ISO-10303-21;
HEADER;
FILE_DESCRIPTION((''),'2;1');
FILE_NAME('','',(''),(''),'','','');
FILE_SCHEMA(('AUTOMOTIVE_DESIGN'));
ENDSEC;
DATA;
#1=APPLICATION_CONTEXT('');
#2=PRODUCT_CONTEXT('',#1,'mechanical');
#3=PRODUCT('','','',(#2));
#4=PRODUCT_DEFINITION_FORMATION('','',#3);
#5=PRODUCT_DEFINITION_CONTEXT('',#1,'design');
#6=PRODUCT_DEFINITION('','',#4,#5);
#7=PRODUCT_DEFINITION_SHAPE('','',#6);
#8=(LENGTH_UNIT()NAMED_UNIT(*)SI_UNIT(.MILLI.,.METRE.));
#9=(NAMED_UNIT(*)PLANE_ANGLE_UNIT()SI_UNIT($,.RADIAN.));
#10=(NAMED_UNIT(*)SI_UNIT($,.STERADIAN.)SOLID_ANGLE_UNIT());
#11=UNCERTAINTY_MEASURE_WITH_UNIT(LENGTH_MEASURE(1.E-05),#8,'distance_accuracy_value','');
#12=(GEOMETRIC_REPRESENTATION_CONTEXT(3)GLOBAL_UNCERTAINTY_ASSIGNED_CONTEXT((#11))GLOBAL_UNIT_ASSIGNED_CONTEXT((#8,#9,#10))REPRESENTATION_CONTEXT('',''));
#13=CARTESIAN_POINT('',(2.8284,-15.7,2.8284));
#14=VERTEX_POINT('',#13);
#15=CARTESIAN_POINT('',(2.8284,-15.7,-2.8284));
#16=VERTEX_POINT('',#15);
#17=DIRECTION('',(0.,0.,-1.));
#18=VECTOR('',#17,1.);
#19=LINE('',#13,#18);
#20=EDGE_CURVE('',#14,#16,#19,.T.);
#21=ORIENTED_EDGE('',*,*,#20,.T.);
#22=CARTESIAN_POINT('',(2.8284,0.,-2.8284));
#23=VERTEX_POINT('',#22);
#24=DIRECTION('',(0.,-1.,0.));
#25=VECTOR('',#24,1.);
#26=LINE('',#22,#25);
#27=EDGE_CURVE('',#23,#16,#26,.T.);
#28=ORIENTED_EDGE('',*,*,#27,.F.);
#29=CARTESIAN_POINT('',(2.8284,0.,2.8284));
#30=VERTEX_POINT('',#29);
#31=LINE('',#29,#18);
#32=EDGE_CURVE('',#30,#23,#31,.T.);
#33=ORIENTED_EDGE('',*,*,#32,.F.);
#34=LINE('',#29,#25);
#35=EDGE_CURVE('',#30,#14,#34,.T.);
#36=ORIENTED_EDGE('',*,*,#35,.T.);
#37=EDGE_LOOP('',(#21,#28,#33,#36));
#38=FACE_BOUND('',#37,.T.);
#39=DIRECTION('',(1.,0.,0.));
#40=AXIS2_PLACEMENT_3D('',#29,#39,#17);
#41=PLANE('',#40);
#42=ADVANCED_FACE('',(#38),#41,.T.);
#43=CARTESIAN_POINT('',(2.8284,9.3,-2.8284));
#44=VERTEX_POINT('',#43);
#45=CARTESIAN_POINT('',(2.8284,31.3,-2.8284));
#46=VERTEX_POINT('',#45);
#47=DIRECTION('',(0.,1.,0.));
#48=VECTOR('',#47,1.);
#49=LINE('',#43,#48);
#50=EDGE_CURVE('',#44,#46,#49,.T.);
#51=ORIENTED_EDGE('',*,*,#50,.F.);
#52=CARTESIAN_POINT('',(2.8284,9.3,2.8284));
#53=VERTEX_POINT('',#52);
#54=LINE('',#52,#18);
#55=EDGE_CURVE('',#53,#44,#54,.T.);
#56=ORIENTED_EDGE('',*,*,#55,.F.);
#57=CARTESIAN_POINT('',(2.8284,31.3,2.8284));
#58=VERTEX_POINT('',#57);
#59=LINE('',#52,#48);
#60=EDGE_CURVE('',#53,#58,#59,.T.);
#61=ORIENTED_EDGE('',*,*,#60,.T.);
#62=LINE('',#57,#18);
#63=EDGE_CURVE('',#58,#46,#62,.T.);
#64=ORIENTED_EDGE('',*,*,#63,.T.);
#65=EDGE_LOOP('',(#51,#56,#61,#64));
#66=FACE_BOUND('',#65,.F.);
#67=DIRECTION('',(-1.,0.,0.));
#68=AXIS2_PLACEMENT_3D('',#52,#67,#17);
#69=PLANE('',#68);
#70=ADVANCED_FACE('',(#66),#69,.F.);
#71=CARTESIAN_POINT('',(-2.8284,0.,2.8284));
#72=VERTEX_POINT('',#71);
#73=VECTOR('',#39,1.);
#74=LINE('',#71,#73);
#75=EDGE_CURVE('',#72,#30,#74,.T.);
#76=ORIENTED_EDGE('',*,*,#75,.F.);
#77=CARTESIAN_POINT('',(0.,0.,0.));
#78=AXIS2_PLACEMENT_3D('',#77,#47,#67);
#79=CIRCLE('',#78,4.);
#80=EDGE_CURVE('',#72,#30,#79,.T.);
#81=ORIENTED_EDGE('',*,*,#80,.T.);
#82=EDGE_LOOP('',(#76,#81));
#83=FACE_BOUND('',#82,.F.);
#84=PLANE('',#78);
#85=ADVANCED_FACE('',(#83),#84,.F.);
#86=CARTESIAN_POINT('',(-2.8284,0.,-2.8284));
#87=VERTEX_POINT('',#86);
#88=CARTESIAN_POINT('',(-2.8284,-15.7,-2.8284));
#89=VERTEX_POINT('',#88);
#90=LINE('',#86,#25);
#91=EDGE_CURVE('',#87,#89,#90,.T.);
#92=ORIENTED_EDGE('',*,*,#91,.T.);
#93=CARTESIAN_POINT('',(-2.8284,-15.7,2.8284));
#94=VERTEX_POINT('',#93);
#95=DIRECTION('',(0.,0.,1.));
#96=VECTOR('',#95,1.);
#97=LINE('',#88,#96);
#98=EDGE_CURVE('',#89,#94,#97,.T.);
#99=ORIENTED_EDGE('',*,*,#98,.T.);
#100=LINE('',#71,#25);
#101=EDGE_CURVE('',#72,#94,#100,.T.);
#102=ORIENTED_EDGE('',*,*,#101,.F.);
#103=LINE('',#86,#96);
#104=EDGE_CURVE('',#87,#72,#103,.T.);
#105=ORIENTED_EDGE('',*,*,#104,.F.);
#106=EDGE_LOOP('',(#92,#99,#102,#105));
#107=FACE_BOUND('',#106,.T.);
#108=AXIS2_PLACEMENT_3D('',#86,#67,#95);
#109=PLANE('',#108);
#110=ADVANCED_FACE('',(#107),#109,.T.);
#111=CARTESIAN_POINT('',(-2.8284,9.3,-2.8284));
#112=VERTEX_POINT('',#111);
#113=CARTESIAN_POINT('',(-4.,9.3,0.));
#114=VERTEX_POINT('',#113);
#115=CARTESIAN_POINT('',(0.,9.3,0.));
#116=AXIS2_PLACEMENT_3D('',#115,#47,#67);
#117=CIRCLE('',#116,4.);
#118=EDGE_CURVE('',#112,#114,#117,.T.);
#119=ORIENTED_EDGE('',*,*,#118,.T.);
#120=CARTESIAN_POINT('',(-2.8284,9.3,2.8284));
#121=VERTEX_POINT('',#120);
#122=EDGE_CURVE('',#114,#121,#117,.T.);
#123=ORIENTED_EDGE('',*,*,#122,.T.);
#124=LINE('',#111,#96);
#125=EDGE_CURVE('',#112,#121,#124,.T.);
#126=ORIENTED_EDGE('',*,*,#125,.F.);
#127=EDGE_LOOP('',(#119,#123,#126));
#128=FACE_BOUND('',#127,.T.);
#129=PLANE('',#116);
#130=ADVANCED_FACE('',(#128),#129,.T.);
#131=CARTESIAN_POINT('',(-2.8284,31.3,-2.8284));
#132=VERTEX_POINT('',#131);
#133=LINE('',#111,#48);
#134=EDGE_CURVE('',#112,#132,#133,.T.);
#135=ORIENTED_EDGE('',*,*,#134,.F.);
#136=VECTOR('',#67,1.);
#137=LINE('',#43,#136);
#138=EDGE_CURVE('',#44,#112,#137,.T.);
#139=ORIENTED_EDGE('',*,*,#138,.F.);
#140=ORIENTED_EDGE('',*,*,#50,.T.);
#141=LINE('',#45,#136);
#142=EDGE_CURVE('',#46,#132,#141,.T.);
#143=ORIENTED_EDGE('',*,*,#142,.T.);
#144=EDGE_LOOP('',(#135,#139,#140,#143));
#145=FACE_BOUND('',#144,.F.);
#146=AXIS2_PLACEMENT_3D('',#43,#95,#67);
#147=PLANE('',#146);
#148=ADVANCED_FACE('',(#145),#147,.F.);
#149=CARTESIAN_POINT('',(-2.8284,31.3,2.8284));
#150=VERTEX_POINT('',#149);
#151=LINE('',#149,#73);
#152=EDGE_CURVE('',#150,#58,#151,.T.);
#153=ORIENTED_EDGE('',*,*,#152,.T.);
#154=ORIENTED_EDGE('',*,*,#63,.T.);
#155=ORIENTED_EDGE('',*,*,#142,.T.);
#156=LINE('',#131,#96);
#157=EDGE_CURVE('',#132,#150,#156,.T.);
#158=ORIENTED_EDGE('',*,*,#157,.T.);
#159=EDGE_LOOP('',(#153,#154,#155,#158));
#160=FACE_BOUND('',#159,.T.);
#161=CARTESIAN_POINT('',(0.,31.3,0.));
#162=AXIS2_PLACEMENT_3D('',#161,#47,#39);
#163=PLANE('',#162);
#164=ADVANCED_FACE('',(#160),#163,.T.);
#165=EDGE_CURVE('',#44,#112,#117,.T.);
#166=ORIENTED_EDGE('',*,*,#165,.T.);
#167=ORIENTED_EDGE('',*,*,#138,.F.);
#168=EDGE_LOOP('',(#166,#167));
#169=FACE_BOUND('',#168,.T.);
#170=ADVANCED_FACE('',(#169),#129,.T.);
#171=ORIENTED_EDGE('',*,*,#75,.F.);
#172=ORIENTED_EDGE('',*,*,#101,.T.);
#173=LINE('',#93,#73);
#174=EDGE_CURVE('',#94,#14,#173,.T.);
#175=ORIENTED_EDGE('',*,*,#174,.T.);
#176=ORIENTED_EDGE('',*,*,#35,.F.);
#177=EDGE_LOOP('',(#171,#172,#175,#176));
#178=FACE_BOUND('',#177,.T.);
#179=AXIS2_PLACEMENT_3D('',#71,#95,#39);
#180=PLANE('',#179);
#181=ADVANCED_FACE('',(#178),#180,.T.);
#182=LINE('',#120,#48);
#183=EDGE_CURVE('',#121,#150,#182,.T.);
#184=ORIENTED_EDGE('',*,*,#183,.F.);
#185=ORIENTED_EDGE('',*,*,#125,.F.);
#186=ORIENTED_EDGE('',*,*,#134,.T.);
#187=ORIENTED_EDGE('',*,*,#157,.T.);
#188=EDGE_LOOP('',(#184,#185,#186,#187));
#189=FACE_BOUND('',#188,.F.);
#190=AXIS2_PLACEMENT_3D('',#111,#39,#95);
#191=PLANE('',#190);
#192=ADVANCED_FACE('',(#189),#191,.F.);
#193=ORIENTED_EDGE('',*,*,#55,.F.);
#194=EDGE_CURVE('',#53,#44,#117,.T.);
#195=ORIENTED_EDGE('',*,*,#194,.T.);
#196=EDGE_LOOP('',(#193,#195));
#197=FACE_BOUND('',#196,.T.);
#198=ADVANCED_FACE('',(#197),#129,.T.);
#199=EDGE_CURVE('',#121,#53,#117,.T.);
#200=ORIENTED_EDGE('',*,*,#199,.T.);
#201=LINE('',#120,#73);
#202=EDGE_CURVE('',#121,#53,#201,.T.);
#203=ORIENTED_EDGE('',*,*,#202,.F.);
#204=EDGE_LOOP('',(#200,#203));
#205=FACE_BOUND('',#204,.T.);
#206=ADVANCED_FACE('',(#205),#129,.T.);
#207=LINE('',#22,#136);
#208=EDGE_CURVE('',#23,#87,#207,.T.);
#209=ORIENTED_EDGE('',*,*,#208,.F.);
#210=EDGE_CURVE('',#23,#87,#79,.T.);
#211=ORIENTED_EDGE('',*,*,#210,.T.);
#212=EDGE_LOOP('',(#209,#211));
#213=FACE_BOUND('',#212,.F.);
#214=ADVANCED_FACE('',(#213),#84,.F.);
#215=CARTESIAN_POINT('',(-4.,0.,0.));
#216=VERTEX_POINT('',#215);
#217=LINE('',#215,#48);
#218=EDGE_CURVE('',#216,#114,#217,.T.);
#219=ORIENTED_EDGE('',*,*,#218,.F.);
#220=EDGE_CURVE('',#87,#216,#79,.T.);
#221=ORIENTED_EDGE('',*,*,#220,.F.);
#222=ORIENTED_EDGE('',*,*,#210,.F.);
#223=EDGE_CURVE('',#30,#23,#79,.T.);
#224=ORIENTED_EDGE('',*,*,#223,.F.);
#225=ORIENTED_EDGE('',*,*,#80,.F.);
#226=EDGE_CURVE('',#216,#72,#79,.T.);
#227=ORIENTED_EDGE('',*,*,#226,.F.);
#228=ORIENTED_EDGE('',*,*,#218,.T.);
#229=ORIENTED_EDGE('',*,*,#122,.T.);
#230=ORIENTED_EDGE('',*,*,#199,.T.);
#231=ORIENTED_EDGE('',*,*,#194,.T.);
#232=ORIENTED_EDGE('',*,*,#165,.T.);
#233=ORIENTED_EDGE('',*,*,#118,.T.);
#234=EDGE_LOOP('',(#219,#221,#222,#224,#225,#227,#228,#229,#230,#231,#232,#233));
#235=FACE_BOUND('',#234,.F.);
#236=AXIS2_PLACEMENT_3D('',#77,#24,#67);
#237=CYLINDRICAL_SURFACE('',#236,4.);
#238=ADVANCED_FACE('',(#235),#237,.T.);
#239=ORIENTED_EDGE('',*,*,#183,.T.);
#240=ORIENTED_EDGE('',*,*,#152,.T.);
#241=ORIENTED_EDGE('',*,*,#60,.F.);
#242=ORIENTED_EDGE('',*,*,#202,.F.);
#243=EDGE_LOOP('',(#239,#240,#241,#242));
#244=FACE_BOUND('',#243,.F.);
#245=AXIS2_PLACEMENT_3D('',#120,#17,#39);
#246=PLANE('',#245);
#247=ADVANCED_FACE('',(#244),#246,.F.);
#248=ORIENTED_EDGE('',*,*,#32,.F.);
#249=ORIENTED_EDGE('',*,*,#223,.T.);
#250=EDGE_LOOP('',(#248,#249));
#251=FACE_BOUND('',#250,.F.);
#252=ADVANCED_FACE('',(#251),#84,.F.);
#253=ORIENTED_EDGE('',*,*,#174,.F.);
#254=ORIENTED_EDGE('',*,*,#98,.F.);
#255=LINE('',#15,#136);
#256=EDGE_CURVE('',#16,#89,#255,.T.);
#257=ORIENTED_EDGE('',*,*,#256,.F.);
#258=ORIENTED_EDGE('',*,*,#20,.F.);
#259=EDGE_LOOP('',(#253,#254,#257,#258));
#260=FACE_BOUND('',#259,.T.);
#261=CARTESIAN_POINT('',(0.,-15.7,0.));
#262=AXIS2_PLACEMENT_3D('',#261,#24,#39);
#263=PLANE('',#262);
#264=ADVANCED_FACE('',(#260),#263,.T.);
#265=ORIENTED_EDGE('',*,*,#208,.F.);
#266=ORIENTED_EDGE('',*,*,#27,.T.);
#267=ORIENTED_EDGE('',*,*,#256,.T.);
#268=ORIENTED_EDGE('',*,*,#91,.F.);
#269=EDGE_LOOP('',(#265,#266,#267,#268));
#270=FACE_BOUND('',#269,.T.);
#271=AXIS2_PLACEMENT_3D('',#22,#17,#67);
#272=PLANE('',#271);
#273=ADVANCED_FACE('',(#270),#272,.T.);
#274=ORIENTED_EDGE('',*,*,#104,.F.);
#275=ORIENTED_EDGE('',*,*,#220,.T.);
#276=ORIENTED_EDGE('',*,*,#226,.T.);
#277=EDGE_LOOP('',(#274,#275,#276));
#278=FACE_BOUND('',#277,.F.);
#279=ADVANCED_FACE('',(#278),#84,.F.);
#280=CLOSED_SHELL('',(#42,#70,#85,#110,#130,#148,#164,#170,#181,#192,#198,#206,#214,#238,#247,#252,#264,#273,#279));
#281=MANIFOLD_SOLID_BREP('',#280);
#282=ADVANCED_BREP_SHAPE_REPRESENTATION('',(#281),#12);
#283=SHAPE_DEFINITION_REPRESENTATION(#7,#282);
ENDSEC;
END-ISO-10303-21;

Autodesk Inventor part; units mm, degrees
ref_plane "YZ Plane" through (0, 0, 0) normal (1, 0, 0) x (0, 1, 0)
ref_plane "XZ Plane" through (0, 0, 0) normal (0, 1, 0) x (-1, 0, 0)
ref_plane "XY Plane" through (0, 0, 0) normal (0, 0, 1) x (1, 0, 0)
sketch "Sketch1" plane through (0, 0, 0) normal (0, 1, 0) x (-1, 0, 0)
  circle A0 centre (0, 0) radius 4
  dimension "d0" = 8
extrude "Extrusion1" add sketch "Sketch1" along normal blind 9.3
sketch "Sketch2" plane through (0, 9.3, 0) normal (0, 1, 0) x (1, 0, 0)
  line L0 (2.8284, 2.8284) -> (-2.8284, 2.8284)
  line L1 (-2.8284, 2.8284) -> (-2.8284, -2.8284)
  line L2 (-2.8284, -2.8284) -> (2.8284, -2.8284)
  line L3 (2.8284, -2.8284) -> (2.8284, 2.8284)
  line L4 (2.8284, 2.8284) -> (-2.8284, -2.8284) construction
  line L5 (-2.8284, 2.8284) -> (2.8284, -2.8284) construction
  circle A0 centre (0, 0) radius 4 projected
extrude "Extrusion2" add sketch "Sketch2" along normal blind 22 contours L3 L2 L1 L0
sketch "Sketch3" plane through (0, 0, 0) normal (0, -1, 0) x (1, 0, 0)
  line L0 (2.8284, -2.8284) -> (-2.8284, -2.8284)
  line L1 (-2.8284, -2.8284) -> (-2.8284, 2.8284)
  line L2 (-2.8284, 2.8284) -> (2.8284, 2.8284)
  line L3 (2.8284, 2.8284) -> (2.8284, -2.8284)
  line L4 (2.8284, -2.8284) -> (-2.8284, 2.8284) construction
  line L5 (-2.8284, -2.8284) -> (2.8284, 2.8284) construction
  circle A0 centre (0, 0) radius 4 projected
extrude "Extrusion3" add sketch "Sketch3" along normal blind 15.7 contours L0 L1 L2 L3
properties part number "SCARA swivel connection rod"
